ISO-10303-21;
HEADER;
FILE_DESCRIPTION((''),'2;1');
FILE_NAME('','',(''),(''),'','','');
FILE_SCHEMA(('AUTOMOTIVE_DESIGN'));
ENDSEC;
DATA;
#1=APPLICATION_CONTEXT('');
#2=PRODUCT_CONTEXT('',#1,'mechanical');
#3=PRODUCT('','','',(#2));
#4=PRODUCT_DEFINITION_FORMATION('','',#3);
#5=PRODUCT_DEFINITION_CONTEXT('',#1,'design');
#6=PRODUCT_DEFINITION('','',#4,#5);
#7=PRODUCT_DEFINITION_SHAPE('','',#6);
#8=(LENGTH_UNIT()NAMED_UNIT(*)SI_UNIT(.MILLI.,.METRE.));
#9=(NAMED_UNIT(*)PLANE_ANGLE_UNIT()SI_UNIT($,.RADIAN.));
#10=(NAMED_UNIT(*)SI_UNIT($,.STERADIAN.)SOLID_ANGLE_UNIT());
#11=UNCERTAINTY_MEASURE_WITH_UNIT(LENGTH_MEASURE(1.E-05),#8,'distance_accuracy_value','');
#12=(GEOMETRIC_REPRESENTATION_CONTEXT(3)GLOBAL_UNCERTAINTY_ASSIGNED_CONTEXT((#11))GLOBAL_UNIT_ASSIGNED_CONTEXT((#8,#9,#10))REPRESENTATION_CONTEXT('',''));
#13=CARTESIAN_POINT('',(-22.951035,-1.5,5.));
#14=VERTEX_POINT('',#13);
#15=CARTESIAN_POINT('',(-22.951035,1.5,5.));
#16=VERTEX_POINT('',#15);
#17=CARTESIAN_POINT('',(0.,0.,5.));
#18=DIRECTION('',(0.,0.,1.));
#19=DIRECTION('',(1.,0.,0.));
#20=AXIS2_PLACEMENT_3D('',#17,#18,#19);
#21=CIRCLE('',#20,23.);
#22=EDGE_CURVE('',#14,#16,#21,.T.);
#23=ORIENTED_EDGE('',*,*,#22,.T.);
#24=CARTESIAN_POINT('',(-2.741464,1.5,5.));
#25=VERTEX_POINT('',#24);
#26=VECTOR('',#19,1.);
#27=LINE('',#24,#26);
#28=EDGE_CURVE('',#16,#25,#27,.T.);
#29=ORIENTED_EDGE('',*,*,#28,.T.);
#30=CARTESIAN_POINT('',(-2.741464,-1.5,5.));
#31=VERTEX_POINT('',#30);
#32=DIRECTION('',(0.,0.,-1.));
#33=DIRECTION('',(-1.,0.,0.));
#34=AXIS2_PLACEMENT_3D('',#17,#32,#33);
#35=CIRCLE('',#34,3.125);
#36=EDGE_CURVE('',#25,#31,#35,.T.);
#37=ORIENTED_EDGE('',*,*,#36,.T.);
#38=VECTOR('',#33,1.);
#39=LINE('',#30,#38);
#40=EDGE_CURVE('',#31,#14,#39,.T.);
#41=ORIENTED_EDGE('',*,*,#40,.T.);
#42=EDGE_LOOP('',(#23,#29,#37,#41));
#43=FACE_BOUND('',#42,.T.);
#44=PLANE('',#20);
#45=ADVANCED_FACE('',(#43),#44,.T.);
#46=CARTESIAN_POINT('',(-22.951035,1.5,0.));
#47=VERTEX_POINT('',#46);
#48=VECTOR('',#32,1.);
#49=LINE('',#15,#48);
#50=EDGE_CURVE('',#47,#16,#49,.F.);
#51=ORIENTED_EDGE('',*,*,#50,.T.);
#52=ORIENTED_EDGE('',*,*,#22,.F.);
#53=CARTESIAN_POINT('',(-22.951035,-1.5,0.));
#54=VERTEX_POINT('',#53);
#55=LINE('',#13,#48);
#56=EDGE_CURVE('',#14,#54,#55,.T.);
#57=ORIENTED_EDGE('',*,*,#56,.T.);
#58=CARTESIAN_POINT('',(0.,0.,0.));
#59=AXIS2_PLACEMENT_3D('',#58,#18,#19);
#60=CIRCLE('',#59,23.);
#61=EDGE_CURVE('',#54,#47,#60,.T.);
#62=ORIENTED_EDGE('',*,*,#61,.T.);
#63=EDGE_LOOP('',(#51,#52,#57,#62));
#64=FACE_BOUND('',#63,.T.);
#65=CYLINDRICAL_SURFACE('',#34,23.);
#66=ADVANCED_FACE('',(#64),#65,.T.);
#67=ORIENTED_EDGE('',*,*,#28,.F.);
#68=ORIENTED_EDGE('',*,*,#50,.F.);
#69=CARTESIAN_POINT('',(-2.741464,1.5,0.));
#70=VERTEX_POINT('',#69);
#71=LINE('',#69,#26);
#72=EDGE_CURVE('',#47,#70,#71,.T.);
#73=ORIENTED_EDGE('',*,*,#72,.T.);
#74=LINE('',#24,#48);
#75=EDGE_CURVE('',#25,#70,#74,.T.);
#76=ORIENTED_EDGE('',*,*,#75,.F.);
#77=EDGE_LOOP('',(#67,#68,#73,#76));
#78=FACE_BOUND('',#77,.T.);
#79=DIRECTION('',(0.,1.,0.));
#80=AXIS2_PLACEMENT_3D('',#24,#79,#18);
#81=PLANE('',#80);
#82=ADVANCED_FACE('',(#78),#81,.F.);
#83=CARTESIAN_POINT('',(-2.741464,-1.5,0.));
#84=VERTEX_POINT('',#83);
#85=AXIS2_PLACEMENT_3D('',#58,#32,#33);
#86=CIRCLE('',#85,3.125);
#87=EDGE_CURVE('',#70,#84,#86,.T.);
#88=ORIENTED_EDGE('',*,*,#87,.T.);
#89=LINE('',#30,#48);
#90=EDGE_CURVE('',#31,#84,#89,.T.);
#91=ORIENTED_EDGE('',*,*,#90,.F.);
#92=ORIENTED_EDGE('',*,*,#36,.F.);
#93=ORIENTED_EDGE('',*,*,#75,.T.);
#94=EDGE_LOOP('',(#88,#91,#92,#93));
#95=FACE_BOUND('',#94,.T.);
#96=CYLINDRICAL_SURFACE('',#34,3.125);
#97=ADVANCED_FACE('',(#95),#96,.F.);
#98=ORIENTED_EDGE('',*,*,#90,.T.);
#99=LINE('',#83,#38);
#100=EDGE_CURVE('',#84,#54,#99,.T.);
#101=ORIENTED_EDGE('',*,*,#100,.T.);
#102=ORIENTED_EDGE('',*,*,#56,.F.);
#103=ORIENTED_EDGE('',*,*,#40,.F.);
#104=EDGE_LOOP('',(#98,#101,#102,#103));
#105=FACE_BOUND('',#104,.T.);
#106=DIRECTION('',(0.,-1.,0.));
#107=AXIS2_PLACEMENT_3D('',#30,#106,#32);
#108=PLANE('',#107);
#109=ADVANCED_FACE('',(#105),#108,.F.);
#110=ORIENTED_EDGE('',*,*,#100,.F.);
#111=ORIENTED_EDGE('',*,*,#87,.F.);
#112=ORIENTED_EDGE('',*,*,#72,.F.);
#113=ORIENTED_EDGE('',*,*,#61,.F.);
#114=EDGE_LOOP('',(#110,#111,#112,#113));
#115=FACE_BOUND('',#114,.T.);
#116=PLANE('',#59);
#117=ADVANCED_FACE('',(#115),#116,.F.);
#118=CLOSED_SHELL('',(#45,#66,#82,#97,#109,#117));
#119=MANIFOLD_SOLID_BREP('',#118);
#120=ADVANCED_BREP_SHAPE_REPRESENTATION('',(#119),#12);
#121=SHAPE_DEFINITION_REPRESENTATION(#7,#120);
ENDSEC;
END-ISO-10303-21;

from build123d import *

# Parameters (mm, degrees)
SKETCH1_R           = 23
BOSS_EXTRUDE1_DEPTH = 5
SKETCH2_R           = 3.125
CUT_EXTRUDE1_DEPTH  = 6
SKETCH4_W           = 22.031580043
SKETCH4_H           = 3
CUT_EXTRUDE2_DEPTH  = 6


with BuildPart() as part:
    # Sketch1 → Boss-Extrude1 (new body)
    with BuildSketch(Plane.XY):
        Circle(SKETCH1_R)
    extrude(amount=BOSS_EXTRUDE1_DEPTH)

    # Sketch2 → Cut-Extrude1 (cut, through all)
    with BuildSketch(Plane(origin=(0, 0, 0), x_dir=(-1, 0, 0), z_dir=(0, 0, -1))):
        Circle(SKETCH2_R)
    extrude(amount=-CUT_EXTRUDE1_DEPTH, mode=Mode.SUBTRACT)

    # Sketch4 → Cut-Extrude2 (cut, through all)
    with BuildSketch(Plane(origin=(0, 0, 0), x_dir=(-1, 0, 0), z_dir=(0, 0, -1))):
        with Locations((13.757254046, 0)):
            Rectangle(SKETCH4_W, SKETCH4_H)
    extrude(amount=-CUT_EXTRUDE2_DEPTH, mode=Mode.SUBTRACT)


solid = part.part
